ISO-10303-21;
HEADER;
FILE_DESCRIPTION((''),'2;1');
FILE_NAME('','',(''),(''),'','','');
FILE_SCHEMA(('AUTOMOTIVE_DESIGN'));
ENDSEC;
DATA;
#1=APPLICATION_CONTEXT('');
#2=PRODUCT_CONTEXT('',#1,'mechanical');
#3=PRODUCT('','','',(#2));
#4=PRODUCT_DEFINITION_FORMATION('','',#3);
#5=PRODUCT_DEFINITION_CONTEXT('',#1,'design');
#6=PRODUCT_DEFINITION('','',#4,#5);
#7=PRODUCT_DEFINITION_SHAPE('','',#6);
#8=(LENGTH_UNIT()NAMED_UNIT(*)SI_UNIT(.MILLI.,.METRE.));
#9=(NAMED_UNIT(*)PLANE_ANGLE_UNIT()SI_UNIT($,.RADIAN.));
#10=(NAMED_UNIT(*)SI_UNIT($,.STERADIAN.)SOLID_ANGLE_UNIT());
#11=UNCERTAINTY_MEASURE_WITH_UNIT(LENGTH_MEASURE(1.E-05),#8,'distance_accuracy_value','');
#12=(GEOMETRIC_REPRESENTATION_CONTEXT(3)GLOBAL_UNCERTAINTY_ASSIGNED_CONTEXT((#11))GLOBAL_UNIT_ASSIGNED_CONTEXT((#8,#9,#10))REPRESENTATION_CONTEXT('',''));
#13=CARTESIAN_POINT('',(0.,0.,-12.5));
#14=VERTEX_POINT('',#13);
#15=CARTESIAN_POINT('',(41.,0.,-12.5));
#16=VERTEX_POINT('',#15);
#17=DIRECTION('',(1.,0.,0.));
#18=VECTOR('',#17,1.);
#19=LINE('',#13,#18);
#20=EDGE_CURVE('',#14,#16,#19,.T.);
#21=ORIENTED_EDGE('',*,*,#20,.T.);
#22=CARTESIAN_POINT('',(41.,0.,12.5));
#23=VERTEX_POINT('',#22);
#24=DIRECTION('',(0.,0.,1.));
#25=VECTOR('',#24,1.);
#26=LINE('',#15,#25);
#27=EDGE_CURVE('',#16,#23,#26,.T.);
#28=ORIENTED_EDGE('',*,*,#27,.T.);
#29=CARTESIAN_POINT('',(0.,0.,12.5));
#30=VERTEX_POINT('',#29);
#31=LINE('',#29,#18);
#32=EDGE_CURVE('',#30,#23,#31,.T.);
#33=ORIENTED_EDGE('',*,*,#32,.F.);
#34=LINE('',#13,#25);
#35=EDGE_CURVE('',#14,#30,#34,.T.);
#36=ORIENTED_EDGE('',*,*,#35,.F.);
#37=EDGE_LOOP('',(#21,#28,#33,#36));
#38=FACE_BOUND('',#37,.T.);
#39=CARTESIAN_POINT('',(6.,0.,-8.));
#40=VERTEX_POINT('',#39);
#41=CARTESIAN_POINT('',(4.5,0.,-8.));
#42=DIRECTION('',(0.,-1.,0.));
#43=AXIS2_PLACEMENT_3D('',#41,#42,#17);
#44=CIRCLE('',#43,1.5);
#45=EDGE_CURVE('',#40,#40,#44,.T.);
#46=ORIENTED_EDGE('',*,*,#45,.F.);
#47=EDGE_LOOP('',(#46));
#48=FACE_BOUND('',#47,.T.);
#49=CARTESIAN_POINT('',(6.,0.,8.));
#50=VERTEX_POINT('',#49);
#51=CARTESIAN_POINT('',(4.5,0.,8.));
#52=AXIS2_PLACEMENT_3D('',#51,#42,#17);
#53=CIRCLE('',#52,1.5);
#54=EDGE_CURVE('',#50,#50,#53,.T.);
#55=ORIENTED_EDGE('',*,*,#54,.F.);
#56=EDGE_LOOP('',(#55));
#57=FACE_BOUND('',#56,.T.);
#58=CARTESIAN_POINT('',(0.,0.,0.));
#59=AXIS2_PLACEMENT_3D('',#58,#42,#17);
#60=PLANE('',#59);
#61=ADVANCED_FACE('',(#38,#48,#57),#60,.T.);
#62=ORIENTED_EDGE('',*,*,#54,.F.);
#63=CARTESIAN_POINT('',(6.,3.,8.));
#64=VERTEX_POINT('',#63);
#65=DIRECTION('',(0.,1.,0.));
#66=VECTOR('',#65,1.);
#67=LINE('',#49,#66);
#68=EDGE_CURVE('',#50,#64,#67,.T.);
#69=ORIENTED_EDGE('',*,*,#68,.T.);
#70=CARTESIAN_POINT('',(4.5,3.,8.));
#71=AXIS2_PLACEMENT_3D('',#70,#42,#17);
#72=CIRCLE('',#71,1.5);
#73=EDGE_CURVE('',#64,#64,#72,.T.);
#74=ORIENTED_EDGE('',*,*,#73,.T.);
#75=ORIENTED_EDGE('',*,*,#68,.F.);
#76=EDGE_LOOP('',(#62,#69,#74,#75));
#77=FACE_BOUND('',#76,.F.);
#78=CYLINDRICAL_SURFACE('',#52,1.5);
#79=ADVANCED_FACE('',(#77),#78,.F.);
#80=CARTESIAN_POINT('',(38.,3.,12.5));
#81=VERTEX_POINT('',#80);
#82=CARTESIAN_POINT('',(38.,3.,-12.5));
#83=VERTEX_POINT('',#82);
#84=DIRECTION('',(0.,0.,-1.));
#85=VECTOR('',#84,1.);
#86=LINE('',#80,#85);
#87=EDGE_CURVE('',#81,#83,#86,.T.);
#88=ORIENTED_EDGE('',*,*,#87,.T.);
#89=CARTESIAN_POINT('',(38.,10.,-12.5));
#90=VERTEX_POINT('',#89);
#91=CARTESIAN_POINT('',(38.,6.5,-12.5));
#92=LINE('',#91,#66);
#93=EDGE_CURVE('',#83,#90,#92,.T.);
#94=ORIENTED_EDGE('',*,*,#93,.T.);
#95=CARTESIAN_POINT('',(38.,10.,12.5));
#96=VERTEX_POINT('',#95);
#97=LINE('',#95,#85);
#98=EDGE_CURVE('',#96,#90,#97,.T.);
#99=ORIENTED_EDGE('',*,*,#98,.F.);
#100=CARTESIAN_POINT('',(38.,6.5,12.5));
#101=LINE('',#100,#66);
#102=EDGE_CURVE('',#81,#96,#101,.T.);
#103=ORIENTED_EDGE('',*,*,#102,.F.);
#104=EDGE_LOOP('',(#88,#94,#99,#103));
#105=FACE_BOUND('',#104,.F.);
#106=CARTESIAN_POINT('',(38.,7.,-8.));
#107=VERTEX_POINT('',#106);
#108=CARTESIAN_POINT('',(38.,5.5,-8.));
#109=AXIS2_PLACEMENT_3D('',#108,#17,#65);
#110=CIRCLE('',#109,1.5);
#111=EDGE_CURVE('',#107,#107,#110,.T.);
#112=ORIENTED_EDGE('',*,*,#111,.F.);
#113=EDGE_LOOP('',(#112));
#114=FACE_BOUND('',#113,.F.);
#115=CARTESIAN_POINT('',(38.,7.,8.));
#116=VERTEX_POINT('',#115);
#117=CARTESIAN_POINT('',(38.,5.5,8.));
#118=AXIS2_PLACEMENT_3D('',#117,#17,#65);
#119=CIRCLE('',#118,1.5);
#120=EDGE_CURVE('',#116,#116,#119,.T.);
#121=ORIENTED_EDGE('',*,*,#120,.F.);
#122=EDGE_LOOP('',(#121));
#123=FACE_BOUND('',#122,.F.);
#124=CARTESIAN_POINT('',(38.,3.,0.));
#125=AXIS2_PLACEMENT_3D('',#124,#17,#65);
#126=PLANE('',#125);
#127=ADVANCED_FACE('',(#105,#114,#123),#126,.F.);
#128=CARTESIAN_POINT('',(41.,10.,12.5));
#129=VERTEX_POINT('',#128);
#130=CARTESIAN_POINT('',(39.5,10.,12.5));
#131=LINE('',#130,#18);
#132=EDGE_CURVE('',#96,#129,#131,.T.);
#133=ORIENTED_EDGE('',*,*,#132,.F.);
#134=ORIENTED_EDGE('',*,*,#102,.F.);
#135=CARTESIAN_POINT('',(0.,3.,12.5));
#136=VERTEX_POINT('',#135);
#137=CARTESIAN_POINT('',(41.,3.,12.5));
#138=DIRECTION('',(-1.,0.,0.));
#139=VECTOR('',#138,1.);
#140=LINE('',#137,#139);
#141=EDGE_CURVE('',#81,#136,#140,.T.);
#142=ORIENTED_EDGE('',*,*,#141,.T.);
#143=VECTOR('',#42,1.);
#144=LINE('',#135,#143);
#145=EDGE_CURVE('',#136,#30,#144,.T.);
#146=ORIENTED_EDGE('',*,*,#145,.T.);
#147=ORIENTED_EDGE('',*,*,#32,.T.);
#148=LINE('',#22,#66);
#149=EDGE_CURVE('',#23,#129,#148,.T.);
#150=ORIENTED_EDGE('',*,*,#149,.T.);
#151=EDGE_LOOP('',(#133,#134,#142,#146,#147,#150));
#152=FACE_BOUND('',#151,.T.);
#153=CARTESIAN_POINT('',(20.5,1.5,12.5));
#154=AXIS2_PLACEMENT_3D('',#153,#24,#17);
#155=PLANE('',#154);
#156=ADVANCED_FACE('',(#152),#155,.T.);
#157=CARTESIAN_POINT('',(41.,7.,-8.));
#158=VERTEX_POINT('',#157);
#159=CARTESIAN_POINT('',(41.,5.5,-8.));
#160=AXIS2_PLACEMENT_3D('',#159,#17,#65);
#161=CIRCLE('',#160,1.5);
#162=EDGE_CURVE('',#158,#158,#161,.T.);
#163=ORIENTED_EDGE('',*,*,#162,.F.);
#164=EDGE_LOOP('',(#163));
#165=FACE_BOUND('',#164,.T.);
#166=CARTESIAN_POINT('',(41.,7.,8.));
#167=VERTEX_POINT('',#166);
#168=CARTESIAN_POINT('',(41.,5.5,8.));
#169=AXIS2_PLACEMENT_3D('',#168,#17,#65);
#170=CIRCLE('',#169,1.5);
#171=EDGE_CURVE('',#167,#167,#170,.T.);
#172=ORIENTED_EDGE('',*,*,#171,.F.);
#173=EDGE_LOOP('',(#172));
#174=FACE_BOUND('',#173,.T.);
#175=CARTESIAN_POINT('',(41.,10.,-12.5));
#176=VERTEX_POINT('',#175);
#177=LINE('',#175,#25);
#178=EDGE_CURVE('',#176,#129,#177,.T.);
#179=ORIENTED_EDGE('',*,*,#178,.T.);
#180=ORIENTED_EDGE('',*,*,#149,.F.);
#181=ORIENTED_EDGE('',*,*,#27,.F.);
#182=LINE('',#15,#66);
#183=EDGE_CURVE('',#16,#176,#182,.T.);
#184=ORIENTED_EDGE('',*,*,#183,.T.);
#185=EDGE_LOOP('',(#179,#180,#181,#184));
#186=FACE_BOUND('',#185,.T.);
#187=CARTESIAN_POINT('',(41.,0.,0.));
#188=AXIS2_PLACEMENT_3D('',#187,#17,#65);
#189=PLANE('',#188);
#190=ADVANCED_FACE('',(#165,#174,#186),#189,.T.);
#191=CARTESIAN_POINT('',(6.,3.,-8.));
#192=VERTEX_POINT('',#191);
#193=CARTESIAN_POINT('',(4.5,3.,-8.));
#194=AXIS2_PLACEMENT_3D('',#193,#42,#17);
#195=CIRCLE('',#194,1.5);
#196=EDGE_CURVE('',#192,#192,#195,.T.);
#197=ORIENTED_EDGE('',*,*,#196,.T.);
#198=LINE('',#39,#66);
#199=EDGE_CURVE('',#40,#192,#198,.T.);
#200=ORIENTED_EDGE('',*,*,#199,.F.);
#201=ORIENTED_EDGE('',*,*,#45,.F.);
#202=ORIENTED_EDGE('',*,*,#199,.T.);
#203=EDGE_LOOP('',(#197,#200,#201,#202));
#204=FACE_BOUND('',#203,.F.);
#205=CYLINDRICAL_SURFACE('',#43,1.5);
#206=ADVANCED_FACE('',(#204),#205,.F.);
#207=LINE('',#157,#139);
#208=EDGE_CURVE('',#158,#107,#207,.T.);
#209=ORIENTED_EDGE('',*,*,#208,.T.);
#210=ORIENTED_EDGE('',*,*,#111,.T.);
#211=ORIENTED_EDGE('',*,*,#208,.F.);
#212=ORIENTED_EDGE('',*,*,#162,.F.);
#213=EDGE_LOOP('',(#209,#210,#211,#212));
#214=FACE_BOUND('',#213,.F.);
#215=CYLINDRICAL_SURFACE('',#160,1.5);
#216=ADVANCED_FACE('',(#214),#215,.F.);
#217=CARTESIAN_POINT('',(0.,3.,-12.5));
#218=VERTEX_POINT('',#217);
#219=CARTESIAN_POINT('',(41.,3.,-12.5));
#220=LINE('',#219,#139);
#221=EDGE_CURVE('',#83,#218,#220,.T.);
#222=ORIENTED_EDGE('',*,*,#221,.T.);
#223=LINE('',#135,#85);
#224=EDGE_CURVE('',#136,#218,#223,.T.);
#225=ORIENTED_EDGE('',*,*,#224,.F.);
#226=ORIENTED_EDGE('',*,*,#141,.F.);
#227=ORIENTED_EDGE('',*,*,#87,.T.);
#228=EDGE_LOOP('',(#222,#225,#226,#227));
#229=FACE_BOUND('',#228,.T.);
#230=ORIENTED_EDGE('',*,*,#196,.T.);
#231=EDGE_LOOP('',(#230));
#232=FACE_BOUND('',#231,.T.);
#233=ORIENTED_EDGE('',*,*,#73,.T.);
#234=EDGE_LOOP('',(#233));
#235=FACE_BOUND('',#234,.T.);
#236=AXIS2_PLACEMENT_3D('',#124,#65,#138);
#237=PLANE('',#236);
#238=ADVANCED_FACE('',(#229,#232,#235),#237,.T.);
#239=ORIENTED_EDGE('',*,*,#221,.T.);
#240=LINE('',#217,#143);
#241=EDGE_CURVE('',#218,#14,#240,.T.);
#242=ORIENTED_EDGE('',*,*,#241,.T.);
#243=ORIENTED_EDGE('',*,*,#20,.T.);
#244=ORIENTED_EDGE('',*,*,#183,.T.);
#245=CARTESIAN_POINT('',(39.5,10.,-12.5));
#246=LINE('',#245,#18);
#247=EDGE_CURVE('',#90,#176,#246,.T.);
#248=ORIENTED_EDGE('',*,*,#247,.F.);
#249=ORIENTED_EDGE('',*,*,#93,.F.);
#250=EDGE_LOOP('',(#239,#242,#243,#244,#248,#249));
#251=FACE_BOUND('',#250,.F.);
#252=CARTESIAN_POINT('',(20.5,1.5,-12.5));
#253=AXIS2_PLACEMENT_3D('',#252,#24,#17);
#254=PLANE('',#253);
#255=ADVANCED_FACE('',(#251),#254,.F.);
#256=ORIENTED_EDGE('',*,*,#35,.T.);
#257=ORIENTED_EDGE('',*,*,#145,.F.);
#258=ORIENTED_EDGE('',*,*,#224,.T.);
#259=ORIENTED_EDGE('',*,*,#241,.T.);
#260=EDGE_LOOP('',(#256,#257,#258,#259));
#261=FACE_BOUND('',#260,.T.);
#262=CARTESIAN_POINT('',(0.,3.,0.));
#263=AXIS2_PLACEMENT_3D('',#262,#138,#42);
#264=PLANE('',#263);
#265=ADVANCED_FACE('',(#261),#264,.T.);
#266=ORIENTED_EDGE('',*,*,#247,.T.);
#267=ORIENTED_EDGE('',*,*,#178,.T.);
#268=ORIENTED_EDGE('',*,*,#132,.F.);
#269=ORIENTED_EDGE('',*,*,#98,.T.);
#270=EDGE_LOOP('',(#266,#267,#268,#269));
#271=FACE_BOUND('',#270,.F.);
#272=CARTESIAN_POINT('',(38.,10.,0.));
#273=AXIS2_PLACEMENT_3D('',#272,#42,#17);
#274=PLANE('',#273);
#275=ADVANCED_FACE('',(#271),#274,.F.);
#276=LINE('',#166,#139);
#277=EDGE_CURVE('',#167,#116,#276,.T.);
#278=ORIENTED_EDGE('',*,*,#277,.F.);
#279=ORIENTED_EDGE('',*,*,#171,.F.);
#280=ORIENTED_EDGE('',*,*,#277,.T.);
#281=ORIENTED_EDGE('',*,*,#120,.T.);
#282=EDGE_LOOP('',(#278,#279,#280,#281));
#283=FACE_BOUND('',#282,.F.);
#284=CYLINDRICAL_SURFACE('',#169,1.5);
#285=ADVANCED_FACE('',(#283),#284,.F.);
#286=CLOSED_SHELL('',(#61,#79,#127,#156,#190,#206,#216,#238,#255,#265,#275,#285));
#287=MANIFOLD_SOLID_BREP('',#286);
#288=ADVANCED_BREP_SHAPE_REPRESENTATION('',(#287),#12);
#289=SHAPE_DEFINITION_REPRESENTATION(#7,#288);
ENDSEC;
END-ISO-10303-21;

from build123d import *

# Parameters (mm, degrees)
F0_W     = 3
F0_H     = 7
F1_DEPTH = 12.5
F2_R     = 1.5
F3_DEPTH = 25.4
F4_R     = 1.5
F5_DEPTH = 25.4


with BuildPart() as f1:
    # F0 (on Top) → F1 (new body, symmetric)
    with BuildSketch(Plane.XY):
        Polygon((0, 3), (0, 0), (41, 0), (41, 3), (38, 3), align=None)
        with Locations((39.5, 6.5)):
            Rectangle(F0_W, F0_H)
    extrude(amount=F1_DEPTH, both=True)

    # F2 (on face) → F3 (cut)
    with BuildSketch(Plane.XZ):
        with Locations((4.5, 8)):
            Circle(F2_R)
        with Locations((4.5, -8)):
            Circle(F2_R)
    extrude(amount=-F3_DEPTH, mode=Mode.SUBTRACT)

    # F4 (on face) → F5 (cut)
    with BuildSketch(Plane.YZ.offset(41)):
        with Locations((5.5, 8)):
            Circle(F4_R)
        with Locations((5.5, -8)):
            Circle(F4_R)
    extrude(amount=-F5_DEPTH, mode=Mode.SUBTRACT)


solid = f1.part
